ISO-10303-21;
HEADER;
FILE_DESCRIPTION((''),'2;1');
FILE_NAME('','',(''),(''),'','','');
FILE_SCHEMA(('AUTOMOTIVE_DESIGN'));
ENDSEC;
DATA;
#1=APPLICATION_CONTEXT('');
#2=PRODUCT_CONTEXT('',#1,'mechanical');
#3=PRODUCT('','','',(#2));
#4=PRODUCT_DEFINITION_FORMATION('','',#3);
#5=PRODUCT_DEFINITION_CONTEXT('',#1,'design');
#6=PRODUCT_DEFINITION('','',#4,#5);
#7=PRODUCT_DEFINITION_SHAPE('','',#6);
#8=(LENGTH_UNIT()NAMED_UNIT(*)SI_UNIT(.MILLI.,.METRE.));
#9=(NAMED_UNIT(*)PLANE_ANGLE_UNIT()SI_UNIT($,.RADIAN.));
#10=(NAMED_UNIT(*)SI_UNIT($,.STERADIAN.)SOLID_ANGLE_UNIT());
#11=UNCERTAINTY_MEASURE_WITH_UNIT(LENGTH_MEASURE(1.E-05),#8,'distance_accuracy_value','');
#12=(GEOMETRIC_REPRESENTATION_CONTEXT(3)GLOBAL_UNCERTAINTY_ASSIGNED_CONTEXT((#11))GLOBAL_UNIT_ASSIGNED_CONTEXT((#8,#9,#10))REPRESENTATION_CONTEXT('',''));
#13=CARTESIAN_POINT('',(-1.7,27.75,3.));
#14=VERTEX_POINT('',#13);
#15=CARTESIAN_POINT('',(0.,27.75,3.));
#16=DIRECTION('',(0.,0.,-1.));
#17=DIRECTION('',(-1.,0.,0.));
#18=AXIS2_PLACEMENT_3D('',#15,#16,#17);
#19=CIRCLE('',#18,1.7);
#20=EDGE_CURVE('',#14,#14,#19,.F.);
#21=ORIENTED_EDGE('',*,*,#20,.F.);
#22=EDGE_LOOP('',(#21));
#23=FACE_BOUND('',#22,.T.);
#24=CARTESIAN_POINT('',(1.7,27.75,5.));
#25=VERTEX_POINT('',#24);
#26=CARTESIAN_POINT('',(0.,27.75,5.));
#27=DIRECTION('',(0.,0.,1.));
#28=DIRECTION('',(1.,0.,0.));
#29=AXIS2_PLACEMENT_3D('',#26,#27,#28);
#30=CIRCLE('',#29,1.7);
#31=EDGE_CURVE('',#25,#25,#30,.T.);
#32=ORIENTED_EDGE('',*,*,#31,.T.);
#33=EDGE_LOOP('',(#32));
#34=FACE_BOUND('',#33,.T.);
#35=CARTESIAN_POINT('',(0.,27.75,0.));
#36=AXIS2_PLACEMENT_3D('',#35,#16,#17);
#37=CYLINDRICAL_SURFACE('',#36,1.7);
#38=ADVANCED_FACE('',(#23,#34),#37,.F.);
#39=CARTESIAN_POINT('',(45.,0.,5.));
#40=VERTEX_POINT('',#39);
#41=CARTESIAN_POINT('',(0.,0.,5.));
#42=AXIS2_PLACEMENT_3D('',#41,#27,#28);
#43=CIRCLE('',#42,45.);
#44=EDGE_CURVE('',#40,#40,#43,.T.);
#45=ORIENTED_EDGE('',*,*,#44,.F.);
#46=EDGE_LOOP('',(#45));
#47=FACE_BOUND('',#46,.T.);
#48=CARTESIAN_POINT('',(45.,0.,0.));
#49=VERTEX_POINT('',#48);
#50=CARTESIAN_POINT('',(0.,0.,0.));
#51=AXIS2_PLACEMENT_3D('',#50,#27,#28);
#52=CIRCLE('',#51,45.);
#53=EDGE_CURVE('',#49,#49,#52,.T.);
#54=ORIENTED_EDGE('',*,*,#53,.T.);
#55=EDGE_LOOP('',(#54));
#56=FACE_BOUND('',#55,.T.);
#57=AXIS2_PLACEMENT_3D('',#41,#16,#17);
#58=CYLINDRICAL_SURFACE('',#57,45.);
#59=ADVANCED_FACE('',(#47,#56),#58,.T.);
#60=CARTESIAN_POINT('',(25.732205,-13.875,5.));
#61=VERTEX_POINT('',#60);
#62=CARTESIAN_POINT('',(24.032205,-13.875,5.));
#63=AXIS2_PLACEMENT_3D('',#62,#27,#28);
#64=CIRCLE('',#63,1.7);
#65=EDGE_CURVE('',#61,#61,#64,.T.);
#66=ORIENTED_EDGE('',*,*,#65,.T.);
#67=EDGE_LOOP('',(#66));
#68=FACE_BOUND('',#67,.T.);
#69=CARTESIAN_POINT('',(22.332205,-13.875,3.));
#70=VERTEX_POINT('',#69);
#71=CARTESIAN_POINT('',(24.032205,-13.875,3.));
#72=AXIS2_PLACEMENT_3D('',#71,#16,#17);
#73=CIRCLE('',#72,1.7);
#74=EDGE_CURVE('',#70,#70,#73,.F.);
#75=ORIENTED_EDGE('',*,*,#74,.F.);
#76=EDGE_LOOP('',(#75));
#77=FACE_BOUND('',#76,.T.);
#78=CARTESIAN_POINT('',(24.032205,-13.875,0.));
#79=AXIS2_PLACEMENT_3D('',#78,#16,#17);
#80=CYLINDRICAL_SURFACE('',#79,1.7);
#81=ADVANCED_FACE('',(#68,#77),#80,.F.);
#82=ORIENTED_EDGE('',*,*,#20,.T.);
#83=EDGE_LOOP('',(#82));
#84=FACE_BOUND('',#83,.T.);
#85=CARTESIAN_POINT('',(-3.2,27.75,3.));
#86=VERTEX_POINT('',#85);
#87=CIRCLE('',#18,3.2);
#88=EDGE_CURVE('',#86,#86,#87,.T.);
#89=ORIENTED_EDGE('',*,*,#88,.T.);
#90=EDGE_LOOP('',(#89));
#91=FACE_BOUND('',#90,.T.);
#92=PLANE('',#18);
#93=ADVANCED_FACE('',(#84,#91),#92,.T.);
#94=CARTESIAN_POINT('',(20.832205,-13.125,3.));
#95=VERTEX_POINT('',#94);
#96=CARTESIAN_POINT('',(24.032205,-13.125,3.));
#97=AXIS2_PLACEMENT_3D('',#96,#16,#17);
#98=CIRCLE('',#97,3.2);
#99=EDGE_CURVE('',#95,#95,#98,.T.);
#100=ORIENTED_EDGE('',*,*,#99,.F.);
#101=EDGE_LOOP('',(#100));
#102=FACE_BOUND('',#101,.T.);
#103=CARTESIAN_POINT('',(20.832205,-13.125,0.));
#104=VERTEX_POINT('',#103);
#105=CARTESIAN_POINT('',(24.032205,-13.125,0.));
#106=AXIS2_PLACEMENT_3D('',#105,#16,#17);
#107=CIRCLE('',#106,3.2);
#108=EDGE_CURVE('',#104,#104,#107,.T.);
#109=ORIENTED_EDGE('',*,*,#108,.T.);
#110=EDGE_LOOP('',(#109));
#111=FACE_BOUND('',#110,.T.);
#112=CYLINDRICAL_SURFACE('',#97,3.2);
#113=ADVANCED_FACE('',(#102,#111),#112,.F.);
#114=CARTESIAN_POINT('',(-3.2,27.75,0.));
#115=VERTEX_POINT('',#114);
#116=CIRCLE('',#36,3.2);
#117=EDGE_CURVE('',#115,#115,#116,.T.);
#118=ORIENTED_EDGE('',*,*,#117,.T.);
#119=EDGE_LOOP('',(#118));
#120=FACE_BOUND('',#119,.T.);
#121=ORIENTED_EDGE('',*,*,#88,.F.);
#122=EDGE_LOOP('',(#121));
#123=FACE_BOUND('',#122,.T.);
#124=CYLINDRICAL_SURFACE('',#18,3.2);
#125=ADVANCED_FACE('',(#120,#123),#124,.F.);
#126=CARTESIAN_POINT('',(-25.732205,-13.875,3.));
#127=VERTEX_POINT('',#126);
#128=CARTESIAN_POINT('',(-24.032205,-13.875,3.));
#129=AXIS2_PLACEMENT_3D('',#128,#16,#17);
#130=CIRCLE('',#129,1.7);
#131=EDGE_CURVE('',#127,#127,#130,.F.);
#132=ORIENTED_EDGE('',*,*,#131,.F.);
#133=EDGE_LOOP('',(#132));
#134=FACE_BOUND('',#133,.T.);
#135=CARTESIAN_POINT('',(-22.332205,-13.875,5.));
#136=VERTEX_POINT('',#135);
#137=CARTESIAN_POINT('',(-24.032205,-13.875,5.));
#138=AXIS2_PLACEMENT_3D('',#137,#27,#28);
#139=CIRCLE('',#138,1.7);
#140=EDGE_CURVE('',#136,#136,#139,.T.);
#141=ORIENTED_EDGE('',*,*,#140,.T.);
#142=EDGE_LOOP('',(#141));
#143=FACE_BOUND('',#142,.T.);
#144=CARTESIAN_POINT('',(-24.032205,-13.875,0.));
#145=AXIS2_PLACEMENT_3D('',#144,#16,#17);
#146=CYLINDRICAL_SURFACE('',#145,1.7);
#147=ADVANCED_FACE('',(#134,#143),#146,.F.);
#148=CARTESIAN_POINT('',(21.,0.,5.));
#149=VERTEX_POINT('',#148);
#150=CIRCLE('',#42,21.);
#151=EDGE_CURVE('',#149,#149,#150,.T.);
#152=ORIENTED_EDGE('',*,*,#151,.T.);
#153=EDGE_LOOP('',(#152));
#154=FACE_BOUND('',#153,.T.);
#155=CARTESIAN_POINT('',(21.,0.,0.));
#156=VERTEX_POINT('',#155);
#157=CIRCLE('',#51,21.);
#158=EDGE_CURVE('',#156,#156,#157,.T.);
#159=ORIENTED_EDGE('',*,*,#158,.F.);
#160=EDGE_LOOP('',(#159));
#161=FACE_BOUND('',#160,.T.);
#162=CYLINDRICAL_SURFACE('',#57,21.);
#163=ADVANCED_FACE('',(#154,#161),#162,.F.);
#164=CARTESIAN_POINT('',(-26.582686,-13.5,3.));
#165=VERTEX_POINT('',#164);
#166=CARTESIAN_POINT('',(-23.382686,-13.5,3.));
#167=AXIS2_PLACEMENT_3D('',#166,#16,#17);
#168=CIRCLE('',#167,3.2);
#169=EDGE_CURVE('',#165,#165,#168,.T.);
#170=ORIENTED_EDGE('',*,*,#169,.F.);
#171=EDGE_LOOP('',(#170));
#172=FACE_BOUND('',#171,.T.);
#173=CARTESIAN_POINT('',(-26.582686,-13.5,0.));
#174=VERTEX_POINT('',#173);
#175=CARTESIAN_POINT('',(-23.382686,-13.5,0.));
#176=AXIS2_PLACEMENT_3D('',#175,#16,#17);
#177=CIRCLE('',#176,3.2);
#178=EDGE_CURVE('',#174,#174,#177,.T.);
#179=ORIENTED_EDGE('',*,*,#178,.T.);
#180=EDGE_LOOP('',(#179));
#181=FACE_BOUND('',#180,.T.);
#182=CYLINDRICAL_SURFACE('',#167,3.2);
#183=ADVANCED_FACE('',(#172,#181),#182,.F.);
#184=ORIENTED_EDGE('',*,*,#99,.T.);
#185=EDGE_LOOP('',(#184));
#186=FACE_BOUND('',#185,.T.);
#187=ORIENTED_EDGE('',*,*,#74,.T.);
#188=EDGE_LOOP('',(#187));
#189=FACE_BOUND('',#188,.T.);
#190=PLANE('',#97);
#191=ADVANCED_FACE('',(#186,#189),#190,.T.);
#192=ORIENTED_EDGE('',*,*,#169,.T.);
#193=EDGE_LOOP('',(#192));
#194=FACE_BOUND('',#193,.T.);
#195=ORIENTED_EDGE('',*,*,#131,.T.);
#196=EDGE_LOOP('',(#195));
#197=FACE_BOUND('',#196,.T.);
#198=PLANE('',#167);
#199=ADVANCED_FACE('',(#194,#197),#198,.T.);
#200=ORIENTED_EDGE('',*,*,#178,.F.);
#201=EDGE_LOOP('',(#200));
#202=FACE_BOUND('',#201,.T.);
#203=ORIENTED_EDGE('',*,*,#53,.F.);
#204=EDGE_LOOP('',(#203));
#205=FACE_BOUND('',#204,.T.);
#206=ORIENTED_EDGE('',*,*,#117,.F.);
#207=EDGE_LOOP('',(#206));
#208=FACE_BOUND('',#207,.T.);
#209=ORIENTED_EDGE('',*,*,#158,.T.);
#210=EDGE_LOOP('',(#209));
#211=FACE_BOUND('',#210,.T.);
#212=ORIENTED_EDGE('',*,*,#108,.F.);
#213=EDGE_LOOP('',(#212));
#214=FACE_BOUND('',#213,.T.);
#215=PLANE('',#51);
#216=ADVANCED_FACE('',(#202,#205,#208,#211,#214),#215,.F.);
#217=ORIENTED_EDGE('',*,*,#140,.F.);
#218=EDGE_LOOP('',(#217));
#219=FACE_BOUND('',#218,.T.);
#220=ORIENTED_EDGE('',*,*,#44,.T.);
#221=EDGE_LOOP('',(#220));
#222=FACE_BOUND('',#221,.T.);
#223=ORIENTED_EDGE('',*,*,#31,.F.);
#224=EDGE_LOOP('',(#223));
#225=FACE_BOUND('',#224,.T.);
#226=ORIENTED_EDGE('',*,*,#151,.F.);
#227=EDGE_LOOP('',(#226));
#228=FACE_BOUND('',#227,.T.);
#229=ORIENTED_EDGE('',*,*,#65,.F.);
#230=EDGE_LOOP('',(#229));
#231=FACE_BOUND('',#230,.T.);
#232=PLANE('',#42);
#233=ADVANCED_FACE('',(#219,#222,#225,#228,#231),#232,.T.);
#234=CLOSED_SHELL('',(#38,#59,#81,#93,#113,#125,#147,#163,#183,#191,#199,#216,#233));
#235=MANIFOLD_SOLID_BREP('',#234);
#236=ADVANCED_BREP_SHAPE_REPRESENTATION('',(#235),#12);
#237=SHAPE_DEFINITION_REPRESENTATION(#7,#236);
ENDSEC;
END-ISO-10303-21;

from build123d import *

# Parameters (mm, degrees)
CROQUIS1_R                   = 45
CROQUIS1_R_2                 = 21
SALIENTE_EXTRUIR1_DEPTH      = 5
TALADRO_DE_MARGEN_PARA_M31_D = 3.4
CROQUIS4_R                   = 3.2
CORTAR_EXTRUIR1_DEPTH        = 3


with BuildPart() as part:
    # Croquis1 → Saliente-Extruir1 (new body)
    with BuildSketch(Plane.XY):
        Circle(CROQUIS1_R)
        Circle(CROQUIS1_R_2, mode=Mode.SUBTRACT)
    extrude(amount=SALIENTE_EXTRUIR1_DEPTH)

    # Taladro de margen para M31 (through all)
    with Locations(Plane(origin=(0, 0, 0), x_dir=(-1, 0, 0), z_dir=(0, 0, -1))):
        with Locations((0, 27.75), (24.032204955, -13.875), (-24.032204955, -13.875)):
            Hole(TALADRO_DE_MARGEN_PARA_M31_D / 2)

    # Croquis4 → Cortar-Extruir1 (cut)
    with BuildSketch(Plane(origin=(0, 0, 0), x_dir=(-1, 0, 0), z_dir=(0, 0, -1))):
        with Locations((0, 27.75)):
            Circle(CROQUIS4_R)
        with Locations((23.382685902, -13.5)):
            Circle(CROQUIS4_R)
        with Locations((-24.032204955, -13.125)):
            Circle(CROQUIS4_R)
    extrude(amount=-CORTAR_EXTRUIR1_DEPTH, mode=Mode.SUBTRACT)


solid = part.part
